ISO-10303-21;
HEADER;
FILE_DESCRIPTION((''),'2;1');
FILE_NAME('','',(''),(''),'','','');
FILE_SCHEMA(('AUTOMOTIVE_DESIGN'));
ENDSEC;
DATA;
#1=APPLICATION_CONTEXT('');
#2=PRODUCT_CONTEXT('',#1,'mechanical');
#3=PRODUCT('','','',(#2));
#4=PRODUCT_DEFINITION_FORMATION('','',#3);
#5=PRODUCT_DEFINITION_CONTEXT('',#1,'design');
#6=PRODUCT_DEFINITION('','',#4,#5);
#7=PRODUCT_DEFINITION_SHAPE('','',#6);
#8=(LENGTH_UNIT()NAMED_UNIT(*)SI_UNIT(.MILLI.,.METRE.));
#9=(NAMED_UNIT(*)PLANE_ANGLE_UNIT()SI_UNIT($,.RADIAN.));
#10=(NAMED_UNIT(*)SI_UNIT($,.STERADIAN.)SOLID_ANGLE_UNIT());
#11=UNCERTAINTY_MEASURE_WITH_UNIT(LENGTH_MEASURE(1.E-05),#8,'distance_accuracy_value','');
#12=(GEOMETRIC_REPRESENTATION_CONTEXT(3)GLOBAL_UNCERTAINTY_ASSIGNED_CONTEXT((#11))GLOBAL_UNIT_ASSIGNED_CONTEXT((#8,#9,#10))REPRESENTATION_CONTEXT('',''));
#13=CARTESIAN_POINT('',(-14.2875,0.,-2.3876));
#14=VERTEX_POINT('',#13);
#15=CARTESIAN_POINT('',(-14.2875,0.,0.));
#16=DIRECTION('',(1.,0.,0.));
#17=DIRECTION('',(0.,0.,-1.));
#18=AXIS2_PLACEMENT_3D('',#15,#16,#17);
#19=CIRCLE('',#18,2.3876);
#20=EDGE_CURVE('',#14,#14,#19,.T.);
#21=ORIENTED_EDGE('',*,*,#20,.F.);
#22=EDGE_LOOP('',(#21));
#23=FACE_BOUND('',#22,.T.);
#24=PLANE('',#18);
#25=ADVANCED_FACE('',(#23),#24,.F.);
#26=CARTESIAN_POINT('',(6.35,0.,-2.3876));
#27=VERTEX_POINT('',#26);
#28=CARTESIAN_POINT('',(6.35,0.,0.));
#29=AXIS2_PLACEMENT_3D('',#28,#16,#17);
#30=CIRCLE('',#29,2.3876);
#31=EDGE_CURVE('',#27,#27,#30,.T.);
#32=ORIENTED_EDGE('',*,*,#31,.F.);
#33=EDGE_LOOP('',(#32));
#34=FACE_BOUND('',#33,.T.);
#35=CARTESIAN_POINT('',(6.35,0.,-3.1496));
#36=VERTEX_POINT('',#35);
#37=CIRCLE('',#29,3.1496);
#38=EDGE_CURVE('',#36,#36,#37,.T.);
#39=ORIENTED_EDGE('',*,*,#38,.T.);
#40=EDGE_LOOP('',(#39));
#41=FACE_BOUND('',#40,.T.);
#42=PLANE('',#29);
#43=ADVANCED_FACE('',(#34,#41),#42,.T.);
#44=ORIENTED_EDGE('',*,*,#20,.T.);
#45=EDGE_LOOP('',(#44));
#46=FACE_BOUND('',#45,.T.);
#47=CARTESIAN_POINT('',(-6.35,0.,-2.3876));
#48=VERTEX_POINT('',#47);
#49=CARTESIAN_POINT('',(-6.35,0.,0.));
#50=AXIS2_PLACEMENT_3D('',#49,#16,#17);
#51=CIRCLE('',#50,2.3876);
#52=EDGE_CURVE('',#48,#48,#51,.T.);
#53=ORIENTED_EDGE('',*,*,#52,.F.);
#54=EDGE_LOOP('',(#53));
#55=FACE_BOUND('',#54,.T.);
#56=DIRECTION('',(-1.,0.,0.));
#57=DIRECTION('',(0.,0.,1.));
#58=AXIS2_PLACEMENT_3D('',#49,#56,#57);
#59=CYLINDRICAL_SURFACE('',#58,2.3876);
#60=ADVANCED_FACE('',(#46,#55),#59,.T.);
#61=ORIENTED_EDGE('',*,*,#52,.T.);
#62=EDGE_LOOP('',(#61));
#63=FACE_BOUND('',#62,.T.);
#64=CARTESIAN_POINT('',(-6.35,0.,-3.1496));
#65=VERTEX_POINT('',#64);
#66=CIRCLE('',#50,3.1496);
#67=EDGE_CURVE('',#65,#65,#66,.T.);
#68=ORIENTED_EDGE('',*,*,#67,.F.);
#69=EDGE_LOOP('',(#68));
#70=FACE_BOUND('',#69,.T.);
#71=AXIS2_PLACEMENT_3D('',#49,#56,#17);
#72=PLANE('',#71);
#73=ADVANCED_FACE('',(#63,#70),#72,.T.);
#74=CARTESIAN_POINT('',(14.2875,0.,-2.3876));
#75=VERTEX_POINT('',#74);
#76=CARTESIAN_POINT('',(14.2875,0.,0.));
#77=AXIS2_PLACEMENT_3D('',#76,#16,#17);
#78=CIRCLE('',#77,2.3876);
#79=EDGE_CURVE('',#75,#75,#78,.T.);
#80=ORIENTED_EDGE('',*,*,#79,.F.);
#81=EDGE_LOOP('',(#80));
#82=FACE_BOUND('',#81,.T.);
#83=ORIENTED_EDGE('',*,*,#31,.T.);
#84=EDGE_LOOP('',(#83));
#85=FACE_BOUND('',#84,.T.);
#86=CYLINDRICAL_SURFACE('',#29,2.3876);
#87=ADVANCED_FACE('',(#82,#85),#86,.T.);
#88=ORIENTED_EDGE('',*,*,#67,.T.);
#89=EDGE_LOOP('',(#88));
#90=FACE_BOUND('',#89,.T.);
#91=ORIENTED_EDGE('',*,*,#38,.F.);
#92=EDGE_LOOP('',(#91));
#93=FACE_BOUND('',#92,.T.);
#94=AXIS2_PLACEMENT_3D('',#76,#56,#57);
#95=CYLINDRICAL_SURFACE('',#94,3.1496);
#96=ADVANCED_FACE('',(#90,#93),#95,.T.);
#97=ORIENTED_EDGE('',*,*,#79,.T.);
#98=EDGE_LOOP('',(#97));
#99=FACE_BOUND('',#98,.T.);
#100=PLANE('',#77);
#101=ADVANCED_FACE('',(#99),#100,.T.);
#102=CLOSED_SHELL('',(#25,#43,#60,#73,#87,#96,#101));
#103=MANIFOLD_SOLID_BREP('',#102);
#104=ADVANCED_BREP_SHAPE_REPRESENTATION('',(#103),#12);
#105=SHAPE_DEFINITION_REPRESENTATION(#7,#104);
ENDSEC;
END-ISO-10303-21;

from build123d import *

# Parameters (mm, degrees)
SKETCH1_R           = 3.1496
BOSS_EXTRUDE1_DEPTH = 14.2875
SKETCH3_R           = 3.1496
SKETCH3_R_2         = 2.3876
CUT_EXTRUDE2_DEPTH  = 7.9375


with BuildPart() as part:
    # Sketch1 → Boss-Extrude1 (new, symmetric)
    with BuildSketch(Plane(origin=(0, 0, 0), x_dir=(0, 0, -1), z_dir=(1, 0, 0))):
        Circle(SKETCH1_R)
    extrude(amount=BOSS_EXTRUDE1_DEPTH, both=True)

    # Sketch3 → Cut-Extrude2 (cut)
    with BuildSketch(Plane(origin=(14.2875, 0, 0), x_dir=(0, 0, -1), z_dir=(1, 0, 0))):
        Circle(SKETCH3_R)
        Circle(SKETCH3_R_2, mode=Mode.SUBTRACT)
    cut_extrude2 = extrude(amount=-CUT_EXTRUDE2_DEPTH, mode=Mode.SUBTRACT)

    # Mirror1: Cut-Extrude2 across plane
    add(cut_extrude2.mirror(Plane(origin=(0, 0, 0), x_dir=(0, 0, 1), z_dir=(1, 0, 0))), mode=Mode.SUBTRACT)


solid = part.part
